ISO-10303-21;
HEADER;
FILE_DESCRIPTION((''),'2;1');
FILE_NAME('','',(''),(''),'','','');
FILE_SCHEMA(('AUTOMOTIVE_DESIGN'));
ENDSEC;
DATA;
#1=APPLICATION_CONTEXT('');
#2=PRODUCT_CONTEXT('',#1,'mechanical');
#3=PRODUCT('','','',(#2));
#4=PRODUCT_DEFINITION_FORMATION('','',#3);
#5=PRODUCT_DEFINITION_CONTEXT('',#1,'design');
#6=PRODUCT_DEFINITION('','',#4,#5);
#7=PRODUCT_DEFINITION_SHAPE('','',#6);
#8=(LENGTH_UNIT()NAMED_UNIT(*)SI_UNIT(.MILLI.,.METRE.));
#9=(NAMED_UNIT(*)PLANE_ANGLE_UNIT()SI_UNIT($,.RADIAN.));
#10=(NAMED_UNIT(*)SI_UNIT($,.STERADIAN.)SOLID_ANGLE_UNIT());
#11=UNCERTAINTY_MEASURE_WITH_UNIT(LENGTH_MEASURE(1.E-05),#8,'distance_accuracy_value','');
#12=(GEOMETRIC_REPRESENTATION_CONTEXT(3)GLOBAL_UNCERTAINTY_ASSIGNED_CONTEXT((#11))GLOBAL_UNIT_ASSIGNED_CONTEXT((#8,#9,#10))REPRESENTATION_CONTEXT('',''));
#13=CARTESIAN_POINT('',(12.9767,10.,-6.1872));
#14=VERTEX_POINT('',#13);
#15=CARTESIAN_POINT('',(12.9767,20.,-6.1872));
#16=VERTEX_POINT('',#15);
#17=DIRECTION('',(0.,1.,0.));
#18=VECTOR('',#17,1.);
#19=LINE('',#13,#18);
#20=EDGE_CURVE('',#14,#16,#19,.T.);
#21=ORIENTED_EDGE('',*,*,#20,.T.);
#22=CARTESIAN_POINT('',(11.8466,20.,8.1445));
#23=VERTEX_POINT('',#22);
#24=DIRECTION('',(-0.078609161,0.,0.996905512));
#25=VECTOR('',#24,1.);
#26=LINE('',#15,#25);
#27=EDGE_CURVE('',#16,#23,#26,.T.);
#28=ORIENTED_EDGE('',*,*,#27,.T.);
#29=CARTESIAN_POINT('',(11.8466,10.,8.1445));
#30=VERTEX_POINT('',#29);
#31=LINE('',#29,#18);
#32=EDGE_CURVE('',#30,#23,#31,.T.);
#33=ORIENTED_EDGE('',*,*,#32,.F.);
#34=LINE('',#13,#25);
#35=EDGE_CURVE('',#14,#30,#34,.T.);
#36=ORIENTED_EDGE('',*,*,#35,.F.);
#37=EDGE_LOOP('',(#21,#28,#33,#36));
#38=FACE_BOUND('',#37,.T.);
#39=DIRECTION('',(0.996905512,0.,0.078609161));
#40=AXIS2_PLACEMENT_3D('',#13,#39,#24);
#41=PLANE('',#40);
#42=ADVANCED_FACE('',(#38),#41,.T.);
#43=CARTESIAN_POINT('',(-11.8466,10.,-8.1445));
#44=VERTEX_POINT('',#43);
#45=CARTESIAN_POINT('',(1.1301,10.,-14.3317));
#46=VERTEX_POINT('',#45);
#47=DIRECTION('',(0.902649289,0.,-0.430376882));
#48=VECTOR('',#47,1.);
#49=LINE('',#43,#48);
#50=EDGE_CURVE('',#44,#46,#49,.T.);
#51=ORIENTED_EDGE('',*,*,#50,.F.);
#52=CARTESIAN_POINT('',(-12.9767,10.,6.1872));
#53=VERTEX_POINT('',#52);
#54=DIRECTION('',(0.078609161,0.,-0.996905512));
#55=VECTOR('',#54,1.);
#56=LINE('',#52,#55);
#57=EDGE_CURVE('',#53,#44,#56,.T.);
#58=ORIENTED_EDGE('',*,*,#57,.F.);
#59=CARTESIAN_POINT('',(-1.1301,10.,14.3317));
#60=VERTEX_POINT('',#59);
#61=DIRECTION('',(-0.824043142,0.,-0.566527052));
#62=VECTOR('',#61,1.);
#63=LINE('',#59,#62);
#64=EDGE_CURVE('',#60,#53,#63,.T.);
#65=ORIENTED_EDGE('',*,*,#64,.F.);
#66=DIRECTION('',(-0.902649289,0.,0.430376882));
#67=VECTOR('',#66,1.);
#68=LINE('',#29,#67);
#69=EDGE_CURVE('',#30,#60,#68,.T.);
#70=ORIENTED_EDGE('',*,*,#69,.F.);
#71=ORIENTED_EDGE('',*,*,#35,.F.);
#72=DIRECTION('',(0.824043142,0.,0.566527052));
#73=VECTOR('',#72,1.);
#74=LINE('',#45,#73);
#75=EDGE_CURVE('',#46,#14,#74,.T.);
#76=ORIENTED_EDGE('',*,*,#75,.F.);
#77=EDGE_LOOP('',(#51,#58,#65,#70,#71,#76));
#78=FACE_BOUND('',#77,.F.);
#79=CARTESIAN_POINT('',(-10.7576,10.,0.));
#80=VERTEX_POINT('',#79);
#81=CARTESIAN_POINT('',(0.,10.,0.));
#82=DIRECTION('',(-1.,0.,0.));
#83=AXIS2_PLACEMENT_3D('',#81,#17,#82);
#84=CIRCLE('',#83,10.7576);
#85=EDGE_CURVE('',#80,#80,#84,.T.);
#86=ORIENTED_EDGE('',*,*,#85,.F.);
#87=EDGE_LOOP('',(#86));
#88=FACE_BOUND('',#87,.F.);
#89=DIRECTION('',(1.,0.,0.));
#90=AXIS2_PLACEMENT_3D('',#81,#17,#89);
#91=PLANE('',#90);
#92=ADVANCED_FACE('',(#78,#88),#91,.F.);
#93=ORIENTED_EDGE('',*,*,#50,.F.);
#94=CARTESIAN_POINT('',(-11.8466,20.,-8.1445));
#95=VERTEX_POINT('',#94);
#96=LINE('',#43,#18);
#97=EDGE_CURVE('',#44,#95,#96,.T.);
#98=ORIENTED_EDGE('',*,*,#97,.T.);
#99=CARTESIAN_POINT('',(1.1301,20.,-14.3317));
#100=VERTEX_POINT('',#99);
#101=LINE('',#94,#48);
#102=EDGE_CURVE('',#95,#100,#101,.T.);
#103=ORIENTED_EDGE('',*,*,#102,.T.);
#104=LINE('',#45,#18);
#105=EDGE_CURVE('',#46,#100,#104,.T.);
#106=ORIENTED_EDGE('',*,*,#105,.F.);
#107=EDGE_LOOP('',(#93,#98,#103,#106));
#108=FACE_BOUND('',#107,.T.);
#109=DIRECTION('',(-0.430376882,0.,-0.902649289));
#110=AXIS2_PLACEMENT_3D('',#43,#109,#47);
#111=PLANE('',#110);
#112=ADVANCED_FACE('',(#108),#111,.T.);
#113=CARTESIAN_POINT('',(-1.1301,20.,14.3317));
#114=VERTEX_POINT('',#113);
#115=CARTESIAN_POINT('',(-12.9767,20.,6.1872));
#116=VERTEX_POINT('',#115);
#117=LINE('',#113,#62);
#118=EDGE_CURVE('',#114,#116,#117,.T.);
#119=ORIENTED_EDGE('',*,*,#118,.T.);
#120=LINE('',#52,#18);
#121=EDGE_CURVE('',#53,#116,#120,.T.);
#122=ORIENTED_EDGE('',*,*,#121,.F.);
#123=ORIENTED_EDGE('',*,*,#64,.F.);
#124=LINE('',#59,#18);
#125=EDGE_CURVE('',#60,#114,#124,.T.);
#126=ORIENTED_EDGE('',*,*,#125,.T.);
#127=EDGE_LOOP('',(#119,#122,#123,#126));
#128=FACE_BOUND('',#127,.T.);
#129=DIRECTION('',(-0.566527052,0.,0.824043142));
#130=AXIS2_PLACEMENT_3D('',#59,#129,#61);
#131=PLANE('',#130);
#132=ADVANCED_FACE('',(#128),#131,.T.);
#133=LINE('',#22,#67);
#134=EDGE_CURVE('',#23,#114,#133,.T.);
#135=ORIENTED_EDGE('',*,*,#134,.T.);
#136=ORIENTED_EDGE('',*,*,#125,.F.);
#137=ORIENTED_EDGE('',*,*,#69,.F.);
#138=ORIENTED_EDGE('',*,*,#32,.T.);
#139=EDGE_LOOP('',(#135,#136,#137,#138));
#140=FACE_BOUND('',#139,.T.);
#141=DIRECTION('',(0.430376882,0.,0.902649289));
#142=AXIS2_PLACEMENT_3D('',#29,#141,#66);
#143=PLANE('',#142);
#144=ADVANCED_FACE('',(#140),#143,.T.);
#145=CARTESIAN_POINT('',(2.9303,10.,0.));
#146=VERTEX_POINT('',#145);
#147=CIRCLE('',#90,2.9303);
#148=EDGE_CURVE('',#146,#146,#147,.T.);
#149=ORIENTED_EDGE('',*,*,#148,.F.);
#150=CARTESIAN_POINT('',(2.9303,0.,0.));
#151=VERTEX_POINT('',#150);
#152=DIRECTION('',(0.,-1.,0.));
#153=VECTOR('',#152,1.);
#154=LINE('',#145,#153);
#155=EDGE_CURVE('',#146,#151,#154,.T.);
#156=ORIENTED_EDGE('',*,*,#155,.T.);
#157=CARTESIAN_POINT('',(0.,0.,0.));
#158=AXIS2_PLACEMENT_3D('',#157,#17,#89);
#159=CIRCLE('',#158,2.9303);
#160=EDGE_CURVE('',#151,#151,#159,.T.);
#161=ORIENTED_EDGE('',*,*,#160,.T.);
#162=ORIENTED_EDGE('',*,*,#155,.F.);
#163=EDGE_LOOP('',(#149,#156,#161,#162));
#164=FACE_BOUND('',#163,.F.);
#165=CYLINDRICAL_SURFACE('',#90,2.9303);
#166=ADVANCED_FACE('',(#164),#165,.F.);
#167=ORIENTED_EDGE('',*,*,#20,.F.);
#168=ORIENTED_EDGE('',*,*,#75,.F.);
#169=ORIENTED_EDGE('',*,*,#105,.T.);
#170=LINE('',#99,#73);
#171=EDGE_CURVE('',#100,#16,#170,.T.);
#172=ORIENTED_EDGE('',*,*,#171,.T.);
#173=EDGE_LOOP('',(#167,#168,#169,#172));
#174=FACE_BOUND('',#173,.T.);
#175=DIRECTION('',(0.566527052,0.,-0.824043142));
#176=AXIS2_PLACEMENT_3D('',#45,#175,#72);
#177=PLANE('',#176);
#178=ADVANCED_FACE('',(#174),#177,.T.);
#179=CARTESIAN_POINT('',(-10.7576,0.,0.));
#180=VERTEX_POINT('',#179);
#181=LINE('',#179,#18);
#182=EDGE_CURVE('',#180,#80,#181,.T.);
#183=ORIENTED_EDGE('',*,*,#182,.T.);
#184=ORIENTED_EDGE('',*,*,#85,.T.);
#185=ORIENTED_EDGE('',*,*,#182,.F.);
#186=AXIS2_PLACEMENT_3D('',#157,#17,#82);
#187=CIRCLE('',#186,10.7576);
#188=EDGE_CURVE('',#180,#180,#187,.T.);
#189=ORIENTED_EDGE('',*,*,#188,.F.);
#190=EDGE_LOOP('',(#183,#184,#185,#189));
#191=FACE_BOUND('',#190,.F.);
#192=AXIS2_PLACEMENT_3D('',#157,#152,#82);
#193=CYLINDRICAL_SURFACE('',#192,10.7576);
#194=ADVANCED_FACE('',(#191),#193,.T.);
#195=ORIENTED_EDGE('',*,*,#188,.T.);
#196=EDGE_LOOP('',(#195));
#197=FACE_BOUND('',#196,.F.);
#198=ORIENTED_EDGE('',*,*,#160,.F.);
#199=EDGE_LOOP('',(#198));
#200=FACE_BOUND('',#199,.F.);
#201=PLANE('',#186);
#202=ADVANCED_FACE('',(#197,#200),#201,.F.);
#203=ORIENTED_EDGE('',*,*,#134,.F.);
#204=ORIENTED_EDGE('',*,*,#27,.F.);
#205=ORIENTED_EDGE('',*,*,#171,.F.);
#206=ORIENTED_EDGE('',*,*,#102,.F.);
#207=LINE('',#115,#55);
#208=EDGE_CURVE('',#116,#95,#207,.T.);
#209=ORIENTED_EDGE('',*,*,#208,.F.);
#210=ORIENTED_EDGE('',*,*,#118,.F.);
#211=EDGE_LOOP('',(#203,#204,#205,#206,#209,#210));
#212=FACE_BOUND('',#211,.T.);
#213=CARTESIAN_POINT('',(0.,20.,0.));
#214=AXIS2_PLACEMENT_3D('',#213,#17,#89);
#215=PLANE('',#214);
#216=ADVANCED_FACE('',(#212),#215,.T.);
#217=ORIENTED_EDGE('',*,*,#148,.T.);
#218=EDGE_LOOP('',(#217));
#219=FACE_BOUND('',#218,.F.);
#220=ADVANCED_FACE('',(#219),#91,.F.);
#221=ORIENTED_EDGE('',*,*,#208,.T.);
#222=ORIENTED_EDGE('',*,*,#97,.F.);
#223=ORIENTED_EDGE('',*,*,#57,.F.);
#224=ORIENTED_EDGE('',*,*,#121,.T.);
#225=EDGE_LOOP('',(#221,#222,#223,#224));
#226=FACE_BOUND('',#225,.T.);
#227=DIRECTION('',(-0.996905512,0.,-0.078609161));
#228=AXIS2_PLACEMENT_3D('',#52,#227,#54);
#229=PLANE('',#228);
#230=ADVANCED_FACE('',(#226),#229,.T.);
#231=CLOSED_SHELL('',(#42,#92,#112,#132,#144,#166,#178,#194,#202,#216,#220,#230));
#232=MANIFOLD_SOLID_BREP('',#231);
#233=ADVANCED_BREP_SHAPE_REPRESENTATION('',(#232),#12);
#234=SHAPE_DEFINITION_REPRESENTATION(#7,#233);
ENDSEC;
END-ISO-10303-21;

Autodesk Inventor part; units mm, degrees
ref_plane "YZ Plane" through (0, 0, 0) normal (1, 0, 0) x (0, 1, 0)
ref_plane "XZ Plane" through (0, 0, 0) normal (0, 1, 0) x (-1, 0, 0)
ref_plane "XY Plane" through (0, 0, 0) normal (0, 0, 1) x (1, 0, 0)
sketch "Sketch1" plane through (0, 0, 0) normal (0, 1, 0) x (-1, 0, 0)
  circle A0 centre (0, 0) radius 10.7576
extrude "Extrusion1" add sketch "Sketch1" along normal blind 10
sketch "Sketch2" plane through (0, 10, 0) normal (0, 1, 0) x (1, 0, 0)
  circle A0 centre (0, 0) radius 10.7576 projected
  circle A1 centre (0, 0) radius 2.9303
extrude "Extrusion2" cut sketch "Sketch2" against normal blind 10 contours A1
sketch "Sketch3" plane through (0, 10, 0) normal (0, 1, 0) x (1, 0, 0)
  line L0 (11.8466, -8.1445) -> (-1.1301, -14.3317)
  line L1 (-1.1301, -14.3317) -> (-12.9767, -6.1872)
  line L2 (-12.9767, -6.1872) -> (-11.8466, 8.1445)
  line L3 (-11.8466, 8.1445) -> (1.1301, 14.3317)
  line L4 (1.1301, 14.3317) -> (12.9767, 6.1872)
  line L5 (12.9767, 6.1872) -> (11.8466, -8.1445)
  point P0 (0, 0)
  point P1 (0, 0)
extrude "Extrusion3" add sketch "Sketch3" along normal blind 10
